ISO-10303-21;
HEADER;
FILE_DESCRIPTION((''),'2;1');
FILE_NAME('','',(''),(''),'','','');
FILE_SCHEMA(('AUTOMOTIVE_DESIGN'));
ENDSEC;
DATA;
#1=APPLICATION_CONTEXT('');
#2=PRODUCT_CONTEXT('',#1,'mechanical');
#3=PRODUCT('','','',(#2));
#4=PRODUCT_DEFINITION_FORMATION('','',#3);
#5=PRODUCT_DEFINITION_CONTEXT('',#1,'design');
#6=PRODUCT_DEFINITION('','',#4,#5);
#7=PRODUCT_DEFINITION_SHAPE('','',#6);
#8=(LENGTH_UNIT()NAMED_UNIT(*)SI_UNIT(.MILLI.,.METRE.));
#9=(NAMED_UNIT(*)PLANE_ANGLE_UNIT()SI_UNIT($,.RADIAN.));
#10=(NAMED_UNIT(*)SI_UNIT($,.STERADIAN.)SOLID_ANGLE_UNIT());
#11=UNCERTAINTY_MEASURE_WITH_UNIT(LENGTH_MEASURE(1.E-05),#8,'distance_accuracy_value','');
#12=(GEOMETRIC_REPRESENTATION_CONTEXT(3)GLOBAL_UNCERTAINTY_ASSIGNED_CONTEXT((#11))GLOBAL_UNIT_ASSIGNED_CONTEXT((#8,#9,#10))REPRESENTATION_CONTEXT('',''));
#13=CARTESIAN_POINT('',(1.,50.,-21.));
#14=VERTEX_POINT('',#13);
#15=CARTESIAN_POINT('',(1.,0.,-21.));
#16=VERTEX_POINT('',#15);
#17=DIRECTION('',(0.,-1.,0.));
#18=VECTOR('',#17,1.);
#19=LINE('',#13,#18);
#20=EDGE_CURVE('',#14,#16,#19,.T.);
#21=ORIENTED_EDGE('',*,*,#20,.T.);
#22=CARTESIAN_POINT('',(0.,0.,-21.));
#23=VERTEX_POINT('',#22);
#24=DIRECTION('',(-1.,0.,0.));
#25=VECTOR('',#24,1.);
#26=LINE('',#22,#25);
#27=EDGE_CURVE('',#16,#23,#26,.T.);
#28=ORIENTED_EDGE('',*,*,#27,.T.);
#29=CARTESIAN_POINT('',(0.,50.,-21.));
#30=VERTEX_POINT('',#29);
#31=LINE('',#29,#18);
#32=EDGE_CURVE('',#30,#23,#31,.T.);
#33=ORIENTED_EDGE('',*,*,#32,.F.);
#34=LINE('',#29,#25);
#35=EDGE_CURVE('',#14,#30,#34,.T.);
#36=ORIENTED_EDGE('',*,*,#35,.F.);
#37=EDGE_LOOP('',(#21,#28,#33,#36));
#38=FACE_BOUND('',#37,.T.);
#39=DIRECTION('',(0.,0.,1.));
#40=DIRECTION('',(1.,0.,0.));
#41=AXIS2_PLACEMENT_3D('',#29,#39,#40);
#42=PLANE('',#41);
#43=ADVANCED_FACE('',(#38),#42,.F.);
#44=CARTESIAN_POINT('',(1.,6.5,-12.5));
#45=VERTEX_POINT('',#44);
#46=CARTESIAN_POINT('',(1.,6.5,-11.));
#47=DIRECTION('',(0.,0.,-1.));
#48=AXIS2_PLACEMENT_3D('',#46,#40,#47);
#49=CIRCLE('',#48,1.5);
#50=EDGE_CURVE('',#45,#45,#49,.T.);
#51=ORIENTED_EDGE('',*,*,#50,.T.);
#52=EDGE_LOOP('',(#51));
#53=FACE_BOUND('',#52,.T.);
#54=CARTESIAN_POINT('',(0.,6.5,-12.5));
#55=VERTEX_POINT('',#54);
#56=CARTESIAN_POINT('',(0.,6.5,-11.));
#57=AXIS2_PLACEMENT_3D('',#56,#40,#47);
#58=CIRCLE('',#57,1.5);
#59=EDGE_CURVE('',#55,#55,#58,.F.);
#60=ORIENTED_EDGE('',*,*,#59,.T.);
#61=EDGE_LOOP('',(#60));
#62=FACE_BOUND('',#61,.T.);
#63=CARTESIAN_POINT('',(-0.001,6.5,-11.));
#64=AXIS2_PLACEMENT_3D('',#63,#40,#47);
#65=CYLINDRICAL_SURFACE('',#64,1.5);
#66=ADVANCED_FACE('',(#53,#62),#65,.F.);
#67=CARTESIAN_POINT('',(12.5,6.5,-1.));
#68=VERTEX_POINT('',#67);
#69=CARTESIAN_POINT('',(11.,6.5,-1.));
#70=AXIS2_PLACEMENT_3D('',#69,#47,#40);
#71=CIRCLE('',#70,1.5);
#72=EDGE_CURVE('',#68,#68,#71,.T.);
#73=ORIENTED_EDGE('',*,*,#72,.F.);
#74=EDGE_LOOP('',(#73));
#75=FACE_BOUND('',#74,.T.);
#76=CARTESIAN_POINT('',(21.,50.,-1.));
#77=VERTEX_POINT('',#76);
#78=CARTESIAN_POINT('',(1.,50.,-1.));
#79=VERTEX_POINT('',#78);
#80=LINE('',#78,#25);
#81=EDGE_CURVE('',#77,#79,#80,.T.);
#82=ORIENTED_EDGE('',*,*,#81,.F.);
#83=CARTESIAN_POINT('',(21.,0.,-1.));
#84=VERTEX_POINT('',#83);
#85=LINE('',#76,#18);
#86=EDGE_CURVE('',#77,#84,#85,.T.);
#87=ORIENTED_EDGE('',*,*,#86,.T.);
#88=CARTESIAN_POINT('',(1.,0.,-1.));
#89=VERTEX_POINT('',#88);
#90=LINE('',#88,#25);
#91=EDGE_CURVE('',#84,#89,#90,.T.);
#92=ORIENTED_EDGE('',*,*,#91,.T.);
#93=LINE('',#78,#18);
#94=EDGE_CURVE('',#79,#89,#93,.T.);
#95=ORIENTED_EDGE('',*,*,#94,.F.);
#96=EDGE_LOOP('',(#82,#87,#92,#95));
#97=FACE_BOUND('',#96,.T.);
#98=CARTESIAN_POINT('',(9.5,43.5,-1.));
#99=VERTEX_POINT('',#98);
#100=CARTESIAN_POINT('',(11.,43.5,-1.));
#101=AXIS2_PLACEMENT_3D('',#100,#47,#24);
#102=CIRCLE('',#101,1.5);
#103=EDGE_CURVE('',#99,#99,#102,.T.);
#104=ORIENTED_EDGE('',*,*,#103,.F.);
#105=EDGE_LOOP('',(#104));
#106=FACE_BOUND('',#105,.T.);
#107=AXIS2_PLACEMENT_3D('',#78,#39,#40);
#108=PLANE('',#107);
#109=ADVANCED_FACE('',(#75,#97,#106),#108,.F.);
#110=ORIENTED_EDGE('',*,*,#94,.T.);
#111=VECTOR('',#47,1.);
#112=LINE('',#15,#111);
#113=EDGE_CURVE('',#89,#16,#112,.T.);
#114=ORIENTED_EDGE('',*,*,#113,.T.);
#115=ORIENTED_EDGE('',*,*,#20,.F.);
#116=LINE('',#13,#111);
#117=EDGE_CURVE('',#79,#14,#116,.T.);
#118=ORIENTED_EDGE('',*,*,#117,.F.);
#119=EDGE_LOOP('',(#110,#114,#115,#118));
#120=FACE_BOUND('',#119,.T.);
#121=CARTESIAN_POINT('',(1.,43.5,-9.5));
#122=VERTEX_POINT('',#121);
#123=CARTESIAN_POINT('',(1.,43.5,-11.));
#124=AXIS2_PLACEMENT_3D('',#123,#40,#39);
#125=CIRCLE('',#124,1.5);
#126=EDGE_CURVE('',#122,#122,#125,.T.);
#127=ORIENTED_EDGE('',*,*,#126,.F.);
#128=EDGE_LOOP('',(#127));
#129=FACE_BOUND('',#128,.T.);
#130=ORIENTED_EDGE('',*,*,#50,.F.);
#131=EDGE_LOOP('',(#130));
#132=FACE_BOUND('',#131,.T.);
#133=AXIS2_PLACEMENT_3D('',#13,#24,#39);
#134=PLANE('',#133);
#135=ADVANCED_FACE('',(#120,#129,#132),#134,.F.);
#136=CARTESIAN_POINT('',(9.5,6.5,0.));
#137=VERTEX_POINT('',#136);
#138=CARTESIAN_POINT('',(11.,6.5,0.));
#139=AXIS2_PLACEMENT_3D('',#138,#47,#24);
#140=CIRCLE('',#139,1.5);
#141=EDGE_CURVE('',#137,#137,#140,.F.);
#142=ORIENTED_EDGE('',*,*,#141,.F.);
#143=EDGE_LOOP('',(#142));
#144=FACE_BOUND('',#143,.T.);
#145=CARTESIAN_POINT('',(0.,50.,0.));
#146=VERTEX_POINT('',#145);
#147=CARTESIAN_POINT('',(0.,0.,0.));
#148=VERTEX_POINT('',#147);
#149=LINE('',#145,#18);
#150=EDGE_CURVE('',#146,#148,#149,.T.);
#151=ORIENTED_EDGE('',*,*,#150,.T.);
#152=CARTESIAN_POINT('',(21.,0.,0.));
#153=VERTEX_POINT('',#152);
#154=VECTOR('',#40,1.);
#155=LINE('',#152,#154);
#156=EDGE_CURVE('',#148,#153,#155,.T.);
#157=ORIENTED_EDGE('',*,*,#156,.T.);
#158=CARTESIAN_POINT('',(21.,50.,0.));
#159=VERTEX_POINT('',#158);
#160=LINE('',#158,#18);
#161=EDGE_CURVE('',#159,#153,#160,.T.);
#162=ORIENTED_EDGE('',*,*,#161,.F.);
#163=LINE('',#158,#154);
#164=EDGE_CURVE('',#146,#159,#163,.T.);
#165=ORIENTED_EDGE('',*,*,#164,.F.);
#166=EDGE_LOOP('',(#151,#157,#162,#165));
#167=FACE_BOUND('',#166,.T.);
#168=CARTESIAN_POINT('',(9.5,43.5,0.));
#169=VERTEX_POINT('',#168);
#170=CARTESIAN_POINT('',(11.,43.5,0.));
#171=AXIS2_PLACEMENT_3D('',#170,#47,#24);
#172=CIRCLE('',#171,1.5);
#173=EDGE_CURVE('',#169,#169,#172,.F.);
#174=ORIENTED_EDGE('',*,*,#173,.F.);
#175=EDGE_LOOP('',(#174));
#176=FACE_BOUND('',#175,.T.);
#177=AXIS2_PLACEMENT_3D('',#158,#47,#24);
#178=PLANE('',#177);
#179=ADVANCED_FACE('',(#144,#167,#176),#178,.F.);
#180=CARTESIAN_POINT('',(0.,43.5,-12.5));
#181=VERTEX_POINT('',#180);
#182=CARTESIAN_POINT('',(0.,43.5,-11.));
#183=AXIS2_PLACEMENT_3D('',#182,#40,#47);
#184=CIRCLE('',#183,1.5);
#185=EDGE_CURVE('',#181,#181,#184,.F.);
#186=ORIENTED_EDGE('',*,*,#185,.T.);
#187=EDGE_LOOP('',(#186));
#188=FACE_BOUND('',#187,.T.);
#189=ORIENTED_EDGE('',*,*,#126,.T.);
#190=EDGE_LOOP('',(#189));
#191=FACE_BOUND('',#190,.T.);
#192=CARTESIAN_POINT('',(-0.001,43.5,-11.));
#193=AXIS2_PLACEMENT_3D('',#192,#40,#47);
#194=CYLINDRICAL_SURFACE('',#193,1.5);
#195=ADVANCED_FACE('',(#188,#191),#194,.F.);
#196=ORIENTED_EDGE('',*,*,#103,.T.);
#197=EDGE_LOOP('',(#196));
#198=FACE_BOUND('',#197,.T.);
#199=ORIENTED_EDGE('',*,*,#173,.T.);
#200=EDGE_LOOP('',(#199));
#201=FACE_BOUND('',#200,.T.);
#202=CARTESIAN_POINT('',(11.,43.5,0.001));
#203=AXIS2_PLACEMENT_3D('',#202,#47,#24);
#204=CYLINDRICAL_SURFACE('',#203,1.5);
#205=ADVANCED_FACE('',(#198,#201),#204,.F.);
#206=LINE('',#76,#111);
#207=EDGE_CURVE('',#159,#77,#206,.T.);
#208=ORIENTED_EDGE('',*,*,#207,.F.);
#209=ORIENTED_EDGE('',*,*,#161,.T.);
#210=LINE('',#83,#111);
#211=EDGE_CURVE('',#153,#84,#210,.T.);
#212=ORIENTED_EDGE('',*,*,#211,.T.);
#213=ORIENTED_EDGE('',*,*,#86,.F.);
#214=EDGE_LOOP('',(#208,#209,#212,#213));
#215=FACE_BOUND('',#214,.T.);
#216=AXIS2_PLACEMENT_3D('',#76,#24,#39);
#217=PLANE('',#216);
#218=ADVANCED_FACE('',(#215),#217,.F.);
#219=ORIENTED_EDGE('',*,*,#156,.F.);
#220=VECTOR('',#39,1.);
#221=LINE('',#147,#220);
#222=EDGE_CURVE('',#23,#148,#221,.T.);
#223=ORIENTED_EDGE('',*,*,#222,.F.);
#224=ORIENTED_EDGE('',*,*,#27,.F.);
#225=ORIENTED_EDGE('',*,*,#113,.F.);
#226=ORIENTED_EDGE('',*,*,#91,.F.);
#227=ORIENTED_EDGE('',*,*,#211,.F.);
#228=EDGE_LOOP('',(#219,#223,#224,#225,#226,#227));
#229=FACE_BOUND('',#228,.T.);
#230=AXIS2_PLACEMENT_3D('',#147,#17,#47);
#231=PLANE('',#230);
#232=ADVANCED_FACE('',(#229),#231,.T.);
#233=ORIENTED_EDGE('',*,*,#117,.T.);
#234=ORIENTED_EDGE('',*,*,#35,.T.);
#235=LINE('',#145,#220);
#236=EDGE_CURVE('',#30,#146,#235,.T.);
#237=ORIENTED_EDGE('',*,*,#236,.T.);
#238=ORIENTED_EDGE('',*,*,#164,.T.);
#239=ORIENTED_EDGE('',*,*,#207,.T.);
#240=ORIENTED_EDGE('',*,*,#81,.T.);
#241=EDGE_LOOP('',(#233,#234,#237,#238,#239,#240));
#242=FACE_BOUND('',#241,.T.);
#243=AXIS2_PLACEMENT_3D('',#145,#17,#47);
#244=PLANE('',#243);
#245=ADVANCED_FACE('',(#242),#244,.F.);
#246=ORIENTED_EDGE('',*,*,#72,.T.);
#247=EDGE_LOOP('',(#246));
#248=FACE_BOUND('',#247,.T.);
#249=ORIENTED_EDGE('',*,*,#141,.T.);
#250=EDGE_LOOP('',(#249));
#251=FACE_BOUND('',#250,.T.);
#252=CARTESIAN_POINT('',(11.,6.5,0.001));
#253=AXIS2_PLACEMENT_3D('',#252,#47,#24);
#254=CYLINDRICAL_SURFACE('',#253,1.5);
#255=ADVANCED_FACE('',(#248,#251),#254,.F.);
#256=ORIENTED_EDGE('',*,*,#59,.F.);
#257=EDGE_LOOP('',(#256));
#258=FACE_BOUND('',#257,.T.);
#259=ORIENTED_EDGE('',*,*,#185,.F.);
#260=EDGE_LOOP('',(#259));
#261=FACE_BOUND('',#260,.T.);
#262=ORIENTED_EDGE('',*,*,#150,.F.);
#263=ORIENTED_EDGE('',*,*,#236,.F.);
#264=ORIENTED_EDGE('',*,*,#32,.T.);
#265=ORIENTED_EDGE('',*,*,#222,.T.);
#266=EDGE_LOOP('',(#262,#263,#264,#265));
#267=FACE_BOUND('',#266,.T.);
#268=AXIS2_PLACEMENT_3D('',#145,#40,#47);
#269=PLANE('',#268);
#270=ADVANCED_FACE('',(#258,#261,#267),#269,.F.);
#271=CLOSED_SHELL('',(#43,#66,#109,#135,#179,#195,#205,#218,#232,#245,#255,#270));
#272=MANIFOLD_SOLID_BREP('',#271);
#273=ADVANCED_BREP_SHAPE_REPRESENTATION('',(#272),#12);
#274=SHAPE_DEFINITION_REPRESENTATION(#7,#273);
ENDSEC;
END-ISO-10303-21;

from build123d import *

# Parameters (mm, degrees)
EXTRUSION1_DEPTH = 50
EXTRUSION2_REACH = 3
ESQUISSE2_R      = 1.5
EXTRUSION3_REACH = 3
ESQUISSE3_R      = 1.5


with BuildPart() as part:
    # Esquisse1 → Extrusion1 (new body)
    with BuildSketch(Plane(origin=(0, 0, 0), x_dir=(1, 0, 0), z_dir=(0, 1, 0))):
        Polygon((0, 0), (0, 21), (1, 21), (1, 1), (21, 1), (21, 0), align=None)
    extrude(amount=EXTRUSION1_DEPTH)

    # Esquisse2 → Extrusion2 (cut, up to next)
    with BuildSketch(Plane(origin=(1, 0, 0), x_dir=(0, 0, -1), z_dir=(1, 0, 0)), mode=Mode.PRIVATE) as extrusion2_sk1:
        with Locations((11, 6.5)):
            Circle(ESQUISSE2_R)
    extrusion2_tool1 = extrude(extrusion2_sk1.sketch, amount=-EXTRUSION2_REACH, mode=Mode.PRIVATE) & part.part
    add(extrusion2_tool1.solids().sort_by_distance((1, 6.5, -11))[0], mode=Mode.SUBTRACT)
    # Esquisse2 → Extrusion2 (cut, up to next)
    with BuildSketch(Plane(origin=(1, 0, 0), x_dir=(0, 0, -1), z_dir=(1, 0, 0)), mode=Mode.PRIVATE) as extrusion2_sk2:
        with Locations((11, 43.5)):
            Circle(ESQUISSE2_R)
    extrusion2_tool2 = extrude(extrusion2_sk2.sketch, amount=-EXTRUSION2_REACH, mode=Mode.PRIVATE) & part.part
    add(extrusion2_tool2.solids().sort_by_distance((1, 43.5, -11))[0], mode=Mode.SUBTRACT)

    # Esquisse3 → Extrusion3 (cut, up to next)
    with BuildSketch(Plane(origin=(0, 0, -1), x_dir=(-1, 0, 0), z_dir=(0, 0, -1)), mode=Mode.PRIVATE) as extrusion3_sk1:
        with Locations((-11, 43.5)):
            Circle(ESQUISSE3_R)
    extrusion3_tool1 = extrude(extrusion3_sk1.sketch, amount=-EXTRUSION3_REACH, mode=Mode.PRIVATE) & part.part
    add(extrusion3_tool1.solids().sort_by_distance((11, 43.5, -1))[0], mode=Mode.SUBTRACT)
    # Esquisse3 → Extrusion3 (cut, up to next)
    with BuildSketch(Plane(origin=(0, 0, -1), x_dir=(-1, 0, 0), z_dir=(0, 0, -1)), mode=Mode.PRIVATE) as extrusion3_sk2:
        with Locations((-11, 6.5)):
            Circle(ESQUISSE3_R)
    extrusion3_tool2 = extrude(extrusion3_sk2.sketch, amount=-EXTRUSION3_REACH, mode=Mode.PRIVATE) & part.part
    add(extrusion3_tool2.solids().sort_by_distance((11, 6.5, -1))[0], mode=Mode.SUBTRACT)


solid = part.part
